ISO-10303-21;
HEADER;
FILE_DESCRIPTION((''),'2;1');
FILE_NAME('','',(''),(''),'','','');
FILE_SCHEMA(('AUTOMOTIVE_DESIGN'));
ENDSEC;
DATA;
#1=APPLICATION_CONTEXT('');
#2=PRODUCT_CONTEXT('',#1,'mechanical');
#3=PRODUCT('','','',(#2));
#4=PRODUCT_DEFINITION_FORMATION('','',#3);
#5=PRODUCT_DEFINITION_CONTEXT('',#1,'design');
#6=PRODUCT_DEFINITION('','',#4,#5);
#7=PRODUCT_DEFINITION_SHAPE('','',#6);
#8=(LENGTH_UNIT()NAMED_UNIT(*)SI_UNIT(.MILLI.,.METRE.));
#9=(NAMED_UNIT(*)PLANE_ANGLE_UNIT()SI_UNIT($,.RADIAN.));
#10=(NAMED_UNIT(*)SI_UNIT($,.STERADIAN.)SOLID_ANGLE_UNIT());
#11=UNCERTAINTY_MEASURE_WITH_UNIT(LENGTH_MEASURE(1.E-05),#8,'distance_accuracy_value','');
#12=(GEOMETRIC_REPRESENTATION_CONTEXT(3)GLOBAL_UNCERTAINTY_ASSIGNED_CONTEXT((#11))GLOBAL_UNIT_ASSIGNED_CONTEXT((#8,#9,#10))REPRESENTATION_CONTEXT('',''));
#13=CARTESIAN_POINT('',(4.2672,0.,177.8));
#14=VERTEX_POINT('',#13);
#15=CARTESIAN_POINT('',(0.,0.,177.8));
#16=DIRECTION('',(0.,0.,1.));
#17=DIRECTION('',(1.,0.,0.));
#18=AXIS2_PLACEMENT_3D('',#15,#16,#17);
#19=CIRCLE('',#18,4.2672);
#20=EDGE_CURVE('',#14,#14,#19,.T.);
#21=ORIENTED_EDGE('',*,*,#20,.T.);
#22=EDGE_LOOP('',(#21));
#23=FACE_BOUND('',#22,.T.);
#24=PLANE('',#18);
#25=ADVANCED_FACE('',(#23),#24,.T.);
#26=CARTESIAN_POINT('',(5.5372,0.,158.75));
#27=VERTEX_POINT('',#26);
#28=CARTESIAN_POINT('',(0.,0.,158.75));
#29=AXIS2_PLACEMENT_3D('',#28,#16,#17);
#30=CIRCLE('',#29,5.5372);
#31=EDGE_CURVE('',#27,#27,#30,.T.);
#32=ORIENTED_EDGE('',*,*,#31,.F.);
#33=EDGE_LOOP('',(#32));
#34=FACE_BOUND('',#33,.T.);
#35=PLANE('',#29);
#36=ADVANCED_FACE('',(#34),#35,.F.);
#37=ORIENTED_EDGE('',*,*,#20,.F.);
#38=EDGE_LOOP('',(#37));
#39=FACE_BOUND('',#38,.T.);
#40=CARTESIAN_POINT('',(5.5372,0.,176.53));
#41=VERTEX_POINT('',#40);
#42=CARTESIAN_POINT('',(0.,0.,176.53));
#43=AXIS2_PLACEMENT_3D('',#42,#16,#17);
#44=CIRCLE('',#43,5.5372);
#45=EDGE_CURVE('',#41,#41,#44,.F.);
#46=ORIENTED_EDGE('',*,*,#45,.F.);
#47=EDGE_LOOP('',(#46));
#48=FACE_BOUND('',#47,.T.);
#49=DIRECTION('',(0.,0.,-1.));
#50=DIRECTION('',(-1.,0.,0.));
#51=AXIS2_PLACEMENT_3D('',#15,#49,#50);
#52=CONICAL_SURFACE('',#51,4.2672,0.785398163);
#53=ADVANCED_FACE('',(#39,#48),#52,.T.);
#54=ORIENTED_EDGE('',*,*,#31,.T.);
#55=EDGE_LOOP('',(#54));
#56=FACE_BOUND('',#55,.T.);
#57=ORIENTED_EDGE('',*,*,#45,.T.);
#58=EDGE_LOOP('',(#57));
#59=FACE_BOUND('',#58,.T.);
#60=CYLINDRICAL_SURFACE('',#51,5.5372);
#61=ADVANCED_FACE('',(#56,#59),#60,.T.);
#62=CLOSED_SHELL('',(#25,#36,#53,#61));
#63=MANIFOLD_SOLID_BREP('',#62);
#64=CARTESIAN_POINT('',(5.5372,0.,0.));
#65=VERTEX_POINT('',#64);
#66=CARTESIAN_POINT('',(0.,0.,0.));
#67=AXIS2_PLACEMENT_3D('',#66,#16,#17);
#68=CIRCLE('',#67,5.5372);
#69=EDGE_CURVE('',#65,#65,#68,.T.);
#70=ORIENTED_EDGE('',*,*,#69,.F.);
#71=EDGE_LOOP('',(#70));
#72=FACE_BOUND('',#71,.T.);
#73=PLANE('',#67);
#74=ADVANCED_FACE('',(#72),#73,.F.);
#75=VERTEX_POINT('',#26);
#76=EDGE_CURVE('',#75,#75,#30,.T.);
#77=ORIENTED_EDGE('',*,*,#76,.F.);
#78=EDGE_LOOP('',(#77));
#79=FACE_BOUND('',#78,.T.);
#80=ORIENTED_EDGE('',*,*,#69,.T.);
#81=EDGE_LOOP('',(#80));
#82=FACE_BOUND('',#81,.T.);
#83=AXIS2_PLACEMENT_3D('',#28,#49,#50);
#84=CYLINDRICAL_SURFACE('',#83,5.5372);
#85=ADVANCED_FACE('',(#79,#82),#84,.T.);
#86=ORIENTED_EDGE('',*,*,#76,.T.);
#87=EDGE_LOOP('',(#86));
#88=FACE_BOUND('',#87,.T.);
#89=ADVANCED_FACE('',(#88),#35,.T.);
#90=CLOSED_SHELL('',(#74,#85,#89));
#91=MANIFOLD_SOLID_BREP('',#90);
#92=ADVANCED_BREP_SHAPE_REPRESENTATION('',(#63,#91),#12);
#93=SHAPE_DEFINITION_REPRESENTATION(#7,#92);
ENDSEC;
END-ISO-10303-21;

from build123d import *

# Parameters (mm, degrees)
SKETCH1_R           = 5.5372
BOSS_EXTRUDE1_DEPTH = 158.75
SKETCH2_R           = 5.5372
BOSS_EXTRUDE2_DEPTH = 19.05
CHAMFER1_SIZE       = 1.27


with BuildPart() as part:
    # Sketch1 → Boss-Extrude1 (new body)
    with BuildSketch(Plane.XY):
        Circle(SKETCH1_R)
    extrude(amount=BOSS_EXTRUDE1_DEPTH)


with BuildPart() as body_2:
    # Sketch2 → Boss-Extrude2 (new body)
    with BuildSketch(Plane.XY.offset(158.75)):
        Circle(SKETCH2_R)
    extrude(amount=BOSS_EXTRUDE2_DEPTH)

    # Chamfer1
    chamfer1_edges = [body_2.edges().sort_by_distance(p)[0] for p in [
        (-5.5372, 0, 177.8),
    ]]
    chamfer(chamfer1_edges, length=CHAMFER1_SIZE)


solid = Compound([part.part, body_2.part])
